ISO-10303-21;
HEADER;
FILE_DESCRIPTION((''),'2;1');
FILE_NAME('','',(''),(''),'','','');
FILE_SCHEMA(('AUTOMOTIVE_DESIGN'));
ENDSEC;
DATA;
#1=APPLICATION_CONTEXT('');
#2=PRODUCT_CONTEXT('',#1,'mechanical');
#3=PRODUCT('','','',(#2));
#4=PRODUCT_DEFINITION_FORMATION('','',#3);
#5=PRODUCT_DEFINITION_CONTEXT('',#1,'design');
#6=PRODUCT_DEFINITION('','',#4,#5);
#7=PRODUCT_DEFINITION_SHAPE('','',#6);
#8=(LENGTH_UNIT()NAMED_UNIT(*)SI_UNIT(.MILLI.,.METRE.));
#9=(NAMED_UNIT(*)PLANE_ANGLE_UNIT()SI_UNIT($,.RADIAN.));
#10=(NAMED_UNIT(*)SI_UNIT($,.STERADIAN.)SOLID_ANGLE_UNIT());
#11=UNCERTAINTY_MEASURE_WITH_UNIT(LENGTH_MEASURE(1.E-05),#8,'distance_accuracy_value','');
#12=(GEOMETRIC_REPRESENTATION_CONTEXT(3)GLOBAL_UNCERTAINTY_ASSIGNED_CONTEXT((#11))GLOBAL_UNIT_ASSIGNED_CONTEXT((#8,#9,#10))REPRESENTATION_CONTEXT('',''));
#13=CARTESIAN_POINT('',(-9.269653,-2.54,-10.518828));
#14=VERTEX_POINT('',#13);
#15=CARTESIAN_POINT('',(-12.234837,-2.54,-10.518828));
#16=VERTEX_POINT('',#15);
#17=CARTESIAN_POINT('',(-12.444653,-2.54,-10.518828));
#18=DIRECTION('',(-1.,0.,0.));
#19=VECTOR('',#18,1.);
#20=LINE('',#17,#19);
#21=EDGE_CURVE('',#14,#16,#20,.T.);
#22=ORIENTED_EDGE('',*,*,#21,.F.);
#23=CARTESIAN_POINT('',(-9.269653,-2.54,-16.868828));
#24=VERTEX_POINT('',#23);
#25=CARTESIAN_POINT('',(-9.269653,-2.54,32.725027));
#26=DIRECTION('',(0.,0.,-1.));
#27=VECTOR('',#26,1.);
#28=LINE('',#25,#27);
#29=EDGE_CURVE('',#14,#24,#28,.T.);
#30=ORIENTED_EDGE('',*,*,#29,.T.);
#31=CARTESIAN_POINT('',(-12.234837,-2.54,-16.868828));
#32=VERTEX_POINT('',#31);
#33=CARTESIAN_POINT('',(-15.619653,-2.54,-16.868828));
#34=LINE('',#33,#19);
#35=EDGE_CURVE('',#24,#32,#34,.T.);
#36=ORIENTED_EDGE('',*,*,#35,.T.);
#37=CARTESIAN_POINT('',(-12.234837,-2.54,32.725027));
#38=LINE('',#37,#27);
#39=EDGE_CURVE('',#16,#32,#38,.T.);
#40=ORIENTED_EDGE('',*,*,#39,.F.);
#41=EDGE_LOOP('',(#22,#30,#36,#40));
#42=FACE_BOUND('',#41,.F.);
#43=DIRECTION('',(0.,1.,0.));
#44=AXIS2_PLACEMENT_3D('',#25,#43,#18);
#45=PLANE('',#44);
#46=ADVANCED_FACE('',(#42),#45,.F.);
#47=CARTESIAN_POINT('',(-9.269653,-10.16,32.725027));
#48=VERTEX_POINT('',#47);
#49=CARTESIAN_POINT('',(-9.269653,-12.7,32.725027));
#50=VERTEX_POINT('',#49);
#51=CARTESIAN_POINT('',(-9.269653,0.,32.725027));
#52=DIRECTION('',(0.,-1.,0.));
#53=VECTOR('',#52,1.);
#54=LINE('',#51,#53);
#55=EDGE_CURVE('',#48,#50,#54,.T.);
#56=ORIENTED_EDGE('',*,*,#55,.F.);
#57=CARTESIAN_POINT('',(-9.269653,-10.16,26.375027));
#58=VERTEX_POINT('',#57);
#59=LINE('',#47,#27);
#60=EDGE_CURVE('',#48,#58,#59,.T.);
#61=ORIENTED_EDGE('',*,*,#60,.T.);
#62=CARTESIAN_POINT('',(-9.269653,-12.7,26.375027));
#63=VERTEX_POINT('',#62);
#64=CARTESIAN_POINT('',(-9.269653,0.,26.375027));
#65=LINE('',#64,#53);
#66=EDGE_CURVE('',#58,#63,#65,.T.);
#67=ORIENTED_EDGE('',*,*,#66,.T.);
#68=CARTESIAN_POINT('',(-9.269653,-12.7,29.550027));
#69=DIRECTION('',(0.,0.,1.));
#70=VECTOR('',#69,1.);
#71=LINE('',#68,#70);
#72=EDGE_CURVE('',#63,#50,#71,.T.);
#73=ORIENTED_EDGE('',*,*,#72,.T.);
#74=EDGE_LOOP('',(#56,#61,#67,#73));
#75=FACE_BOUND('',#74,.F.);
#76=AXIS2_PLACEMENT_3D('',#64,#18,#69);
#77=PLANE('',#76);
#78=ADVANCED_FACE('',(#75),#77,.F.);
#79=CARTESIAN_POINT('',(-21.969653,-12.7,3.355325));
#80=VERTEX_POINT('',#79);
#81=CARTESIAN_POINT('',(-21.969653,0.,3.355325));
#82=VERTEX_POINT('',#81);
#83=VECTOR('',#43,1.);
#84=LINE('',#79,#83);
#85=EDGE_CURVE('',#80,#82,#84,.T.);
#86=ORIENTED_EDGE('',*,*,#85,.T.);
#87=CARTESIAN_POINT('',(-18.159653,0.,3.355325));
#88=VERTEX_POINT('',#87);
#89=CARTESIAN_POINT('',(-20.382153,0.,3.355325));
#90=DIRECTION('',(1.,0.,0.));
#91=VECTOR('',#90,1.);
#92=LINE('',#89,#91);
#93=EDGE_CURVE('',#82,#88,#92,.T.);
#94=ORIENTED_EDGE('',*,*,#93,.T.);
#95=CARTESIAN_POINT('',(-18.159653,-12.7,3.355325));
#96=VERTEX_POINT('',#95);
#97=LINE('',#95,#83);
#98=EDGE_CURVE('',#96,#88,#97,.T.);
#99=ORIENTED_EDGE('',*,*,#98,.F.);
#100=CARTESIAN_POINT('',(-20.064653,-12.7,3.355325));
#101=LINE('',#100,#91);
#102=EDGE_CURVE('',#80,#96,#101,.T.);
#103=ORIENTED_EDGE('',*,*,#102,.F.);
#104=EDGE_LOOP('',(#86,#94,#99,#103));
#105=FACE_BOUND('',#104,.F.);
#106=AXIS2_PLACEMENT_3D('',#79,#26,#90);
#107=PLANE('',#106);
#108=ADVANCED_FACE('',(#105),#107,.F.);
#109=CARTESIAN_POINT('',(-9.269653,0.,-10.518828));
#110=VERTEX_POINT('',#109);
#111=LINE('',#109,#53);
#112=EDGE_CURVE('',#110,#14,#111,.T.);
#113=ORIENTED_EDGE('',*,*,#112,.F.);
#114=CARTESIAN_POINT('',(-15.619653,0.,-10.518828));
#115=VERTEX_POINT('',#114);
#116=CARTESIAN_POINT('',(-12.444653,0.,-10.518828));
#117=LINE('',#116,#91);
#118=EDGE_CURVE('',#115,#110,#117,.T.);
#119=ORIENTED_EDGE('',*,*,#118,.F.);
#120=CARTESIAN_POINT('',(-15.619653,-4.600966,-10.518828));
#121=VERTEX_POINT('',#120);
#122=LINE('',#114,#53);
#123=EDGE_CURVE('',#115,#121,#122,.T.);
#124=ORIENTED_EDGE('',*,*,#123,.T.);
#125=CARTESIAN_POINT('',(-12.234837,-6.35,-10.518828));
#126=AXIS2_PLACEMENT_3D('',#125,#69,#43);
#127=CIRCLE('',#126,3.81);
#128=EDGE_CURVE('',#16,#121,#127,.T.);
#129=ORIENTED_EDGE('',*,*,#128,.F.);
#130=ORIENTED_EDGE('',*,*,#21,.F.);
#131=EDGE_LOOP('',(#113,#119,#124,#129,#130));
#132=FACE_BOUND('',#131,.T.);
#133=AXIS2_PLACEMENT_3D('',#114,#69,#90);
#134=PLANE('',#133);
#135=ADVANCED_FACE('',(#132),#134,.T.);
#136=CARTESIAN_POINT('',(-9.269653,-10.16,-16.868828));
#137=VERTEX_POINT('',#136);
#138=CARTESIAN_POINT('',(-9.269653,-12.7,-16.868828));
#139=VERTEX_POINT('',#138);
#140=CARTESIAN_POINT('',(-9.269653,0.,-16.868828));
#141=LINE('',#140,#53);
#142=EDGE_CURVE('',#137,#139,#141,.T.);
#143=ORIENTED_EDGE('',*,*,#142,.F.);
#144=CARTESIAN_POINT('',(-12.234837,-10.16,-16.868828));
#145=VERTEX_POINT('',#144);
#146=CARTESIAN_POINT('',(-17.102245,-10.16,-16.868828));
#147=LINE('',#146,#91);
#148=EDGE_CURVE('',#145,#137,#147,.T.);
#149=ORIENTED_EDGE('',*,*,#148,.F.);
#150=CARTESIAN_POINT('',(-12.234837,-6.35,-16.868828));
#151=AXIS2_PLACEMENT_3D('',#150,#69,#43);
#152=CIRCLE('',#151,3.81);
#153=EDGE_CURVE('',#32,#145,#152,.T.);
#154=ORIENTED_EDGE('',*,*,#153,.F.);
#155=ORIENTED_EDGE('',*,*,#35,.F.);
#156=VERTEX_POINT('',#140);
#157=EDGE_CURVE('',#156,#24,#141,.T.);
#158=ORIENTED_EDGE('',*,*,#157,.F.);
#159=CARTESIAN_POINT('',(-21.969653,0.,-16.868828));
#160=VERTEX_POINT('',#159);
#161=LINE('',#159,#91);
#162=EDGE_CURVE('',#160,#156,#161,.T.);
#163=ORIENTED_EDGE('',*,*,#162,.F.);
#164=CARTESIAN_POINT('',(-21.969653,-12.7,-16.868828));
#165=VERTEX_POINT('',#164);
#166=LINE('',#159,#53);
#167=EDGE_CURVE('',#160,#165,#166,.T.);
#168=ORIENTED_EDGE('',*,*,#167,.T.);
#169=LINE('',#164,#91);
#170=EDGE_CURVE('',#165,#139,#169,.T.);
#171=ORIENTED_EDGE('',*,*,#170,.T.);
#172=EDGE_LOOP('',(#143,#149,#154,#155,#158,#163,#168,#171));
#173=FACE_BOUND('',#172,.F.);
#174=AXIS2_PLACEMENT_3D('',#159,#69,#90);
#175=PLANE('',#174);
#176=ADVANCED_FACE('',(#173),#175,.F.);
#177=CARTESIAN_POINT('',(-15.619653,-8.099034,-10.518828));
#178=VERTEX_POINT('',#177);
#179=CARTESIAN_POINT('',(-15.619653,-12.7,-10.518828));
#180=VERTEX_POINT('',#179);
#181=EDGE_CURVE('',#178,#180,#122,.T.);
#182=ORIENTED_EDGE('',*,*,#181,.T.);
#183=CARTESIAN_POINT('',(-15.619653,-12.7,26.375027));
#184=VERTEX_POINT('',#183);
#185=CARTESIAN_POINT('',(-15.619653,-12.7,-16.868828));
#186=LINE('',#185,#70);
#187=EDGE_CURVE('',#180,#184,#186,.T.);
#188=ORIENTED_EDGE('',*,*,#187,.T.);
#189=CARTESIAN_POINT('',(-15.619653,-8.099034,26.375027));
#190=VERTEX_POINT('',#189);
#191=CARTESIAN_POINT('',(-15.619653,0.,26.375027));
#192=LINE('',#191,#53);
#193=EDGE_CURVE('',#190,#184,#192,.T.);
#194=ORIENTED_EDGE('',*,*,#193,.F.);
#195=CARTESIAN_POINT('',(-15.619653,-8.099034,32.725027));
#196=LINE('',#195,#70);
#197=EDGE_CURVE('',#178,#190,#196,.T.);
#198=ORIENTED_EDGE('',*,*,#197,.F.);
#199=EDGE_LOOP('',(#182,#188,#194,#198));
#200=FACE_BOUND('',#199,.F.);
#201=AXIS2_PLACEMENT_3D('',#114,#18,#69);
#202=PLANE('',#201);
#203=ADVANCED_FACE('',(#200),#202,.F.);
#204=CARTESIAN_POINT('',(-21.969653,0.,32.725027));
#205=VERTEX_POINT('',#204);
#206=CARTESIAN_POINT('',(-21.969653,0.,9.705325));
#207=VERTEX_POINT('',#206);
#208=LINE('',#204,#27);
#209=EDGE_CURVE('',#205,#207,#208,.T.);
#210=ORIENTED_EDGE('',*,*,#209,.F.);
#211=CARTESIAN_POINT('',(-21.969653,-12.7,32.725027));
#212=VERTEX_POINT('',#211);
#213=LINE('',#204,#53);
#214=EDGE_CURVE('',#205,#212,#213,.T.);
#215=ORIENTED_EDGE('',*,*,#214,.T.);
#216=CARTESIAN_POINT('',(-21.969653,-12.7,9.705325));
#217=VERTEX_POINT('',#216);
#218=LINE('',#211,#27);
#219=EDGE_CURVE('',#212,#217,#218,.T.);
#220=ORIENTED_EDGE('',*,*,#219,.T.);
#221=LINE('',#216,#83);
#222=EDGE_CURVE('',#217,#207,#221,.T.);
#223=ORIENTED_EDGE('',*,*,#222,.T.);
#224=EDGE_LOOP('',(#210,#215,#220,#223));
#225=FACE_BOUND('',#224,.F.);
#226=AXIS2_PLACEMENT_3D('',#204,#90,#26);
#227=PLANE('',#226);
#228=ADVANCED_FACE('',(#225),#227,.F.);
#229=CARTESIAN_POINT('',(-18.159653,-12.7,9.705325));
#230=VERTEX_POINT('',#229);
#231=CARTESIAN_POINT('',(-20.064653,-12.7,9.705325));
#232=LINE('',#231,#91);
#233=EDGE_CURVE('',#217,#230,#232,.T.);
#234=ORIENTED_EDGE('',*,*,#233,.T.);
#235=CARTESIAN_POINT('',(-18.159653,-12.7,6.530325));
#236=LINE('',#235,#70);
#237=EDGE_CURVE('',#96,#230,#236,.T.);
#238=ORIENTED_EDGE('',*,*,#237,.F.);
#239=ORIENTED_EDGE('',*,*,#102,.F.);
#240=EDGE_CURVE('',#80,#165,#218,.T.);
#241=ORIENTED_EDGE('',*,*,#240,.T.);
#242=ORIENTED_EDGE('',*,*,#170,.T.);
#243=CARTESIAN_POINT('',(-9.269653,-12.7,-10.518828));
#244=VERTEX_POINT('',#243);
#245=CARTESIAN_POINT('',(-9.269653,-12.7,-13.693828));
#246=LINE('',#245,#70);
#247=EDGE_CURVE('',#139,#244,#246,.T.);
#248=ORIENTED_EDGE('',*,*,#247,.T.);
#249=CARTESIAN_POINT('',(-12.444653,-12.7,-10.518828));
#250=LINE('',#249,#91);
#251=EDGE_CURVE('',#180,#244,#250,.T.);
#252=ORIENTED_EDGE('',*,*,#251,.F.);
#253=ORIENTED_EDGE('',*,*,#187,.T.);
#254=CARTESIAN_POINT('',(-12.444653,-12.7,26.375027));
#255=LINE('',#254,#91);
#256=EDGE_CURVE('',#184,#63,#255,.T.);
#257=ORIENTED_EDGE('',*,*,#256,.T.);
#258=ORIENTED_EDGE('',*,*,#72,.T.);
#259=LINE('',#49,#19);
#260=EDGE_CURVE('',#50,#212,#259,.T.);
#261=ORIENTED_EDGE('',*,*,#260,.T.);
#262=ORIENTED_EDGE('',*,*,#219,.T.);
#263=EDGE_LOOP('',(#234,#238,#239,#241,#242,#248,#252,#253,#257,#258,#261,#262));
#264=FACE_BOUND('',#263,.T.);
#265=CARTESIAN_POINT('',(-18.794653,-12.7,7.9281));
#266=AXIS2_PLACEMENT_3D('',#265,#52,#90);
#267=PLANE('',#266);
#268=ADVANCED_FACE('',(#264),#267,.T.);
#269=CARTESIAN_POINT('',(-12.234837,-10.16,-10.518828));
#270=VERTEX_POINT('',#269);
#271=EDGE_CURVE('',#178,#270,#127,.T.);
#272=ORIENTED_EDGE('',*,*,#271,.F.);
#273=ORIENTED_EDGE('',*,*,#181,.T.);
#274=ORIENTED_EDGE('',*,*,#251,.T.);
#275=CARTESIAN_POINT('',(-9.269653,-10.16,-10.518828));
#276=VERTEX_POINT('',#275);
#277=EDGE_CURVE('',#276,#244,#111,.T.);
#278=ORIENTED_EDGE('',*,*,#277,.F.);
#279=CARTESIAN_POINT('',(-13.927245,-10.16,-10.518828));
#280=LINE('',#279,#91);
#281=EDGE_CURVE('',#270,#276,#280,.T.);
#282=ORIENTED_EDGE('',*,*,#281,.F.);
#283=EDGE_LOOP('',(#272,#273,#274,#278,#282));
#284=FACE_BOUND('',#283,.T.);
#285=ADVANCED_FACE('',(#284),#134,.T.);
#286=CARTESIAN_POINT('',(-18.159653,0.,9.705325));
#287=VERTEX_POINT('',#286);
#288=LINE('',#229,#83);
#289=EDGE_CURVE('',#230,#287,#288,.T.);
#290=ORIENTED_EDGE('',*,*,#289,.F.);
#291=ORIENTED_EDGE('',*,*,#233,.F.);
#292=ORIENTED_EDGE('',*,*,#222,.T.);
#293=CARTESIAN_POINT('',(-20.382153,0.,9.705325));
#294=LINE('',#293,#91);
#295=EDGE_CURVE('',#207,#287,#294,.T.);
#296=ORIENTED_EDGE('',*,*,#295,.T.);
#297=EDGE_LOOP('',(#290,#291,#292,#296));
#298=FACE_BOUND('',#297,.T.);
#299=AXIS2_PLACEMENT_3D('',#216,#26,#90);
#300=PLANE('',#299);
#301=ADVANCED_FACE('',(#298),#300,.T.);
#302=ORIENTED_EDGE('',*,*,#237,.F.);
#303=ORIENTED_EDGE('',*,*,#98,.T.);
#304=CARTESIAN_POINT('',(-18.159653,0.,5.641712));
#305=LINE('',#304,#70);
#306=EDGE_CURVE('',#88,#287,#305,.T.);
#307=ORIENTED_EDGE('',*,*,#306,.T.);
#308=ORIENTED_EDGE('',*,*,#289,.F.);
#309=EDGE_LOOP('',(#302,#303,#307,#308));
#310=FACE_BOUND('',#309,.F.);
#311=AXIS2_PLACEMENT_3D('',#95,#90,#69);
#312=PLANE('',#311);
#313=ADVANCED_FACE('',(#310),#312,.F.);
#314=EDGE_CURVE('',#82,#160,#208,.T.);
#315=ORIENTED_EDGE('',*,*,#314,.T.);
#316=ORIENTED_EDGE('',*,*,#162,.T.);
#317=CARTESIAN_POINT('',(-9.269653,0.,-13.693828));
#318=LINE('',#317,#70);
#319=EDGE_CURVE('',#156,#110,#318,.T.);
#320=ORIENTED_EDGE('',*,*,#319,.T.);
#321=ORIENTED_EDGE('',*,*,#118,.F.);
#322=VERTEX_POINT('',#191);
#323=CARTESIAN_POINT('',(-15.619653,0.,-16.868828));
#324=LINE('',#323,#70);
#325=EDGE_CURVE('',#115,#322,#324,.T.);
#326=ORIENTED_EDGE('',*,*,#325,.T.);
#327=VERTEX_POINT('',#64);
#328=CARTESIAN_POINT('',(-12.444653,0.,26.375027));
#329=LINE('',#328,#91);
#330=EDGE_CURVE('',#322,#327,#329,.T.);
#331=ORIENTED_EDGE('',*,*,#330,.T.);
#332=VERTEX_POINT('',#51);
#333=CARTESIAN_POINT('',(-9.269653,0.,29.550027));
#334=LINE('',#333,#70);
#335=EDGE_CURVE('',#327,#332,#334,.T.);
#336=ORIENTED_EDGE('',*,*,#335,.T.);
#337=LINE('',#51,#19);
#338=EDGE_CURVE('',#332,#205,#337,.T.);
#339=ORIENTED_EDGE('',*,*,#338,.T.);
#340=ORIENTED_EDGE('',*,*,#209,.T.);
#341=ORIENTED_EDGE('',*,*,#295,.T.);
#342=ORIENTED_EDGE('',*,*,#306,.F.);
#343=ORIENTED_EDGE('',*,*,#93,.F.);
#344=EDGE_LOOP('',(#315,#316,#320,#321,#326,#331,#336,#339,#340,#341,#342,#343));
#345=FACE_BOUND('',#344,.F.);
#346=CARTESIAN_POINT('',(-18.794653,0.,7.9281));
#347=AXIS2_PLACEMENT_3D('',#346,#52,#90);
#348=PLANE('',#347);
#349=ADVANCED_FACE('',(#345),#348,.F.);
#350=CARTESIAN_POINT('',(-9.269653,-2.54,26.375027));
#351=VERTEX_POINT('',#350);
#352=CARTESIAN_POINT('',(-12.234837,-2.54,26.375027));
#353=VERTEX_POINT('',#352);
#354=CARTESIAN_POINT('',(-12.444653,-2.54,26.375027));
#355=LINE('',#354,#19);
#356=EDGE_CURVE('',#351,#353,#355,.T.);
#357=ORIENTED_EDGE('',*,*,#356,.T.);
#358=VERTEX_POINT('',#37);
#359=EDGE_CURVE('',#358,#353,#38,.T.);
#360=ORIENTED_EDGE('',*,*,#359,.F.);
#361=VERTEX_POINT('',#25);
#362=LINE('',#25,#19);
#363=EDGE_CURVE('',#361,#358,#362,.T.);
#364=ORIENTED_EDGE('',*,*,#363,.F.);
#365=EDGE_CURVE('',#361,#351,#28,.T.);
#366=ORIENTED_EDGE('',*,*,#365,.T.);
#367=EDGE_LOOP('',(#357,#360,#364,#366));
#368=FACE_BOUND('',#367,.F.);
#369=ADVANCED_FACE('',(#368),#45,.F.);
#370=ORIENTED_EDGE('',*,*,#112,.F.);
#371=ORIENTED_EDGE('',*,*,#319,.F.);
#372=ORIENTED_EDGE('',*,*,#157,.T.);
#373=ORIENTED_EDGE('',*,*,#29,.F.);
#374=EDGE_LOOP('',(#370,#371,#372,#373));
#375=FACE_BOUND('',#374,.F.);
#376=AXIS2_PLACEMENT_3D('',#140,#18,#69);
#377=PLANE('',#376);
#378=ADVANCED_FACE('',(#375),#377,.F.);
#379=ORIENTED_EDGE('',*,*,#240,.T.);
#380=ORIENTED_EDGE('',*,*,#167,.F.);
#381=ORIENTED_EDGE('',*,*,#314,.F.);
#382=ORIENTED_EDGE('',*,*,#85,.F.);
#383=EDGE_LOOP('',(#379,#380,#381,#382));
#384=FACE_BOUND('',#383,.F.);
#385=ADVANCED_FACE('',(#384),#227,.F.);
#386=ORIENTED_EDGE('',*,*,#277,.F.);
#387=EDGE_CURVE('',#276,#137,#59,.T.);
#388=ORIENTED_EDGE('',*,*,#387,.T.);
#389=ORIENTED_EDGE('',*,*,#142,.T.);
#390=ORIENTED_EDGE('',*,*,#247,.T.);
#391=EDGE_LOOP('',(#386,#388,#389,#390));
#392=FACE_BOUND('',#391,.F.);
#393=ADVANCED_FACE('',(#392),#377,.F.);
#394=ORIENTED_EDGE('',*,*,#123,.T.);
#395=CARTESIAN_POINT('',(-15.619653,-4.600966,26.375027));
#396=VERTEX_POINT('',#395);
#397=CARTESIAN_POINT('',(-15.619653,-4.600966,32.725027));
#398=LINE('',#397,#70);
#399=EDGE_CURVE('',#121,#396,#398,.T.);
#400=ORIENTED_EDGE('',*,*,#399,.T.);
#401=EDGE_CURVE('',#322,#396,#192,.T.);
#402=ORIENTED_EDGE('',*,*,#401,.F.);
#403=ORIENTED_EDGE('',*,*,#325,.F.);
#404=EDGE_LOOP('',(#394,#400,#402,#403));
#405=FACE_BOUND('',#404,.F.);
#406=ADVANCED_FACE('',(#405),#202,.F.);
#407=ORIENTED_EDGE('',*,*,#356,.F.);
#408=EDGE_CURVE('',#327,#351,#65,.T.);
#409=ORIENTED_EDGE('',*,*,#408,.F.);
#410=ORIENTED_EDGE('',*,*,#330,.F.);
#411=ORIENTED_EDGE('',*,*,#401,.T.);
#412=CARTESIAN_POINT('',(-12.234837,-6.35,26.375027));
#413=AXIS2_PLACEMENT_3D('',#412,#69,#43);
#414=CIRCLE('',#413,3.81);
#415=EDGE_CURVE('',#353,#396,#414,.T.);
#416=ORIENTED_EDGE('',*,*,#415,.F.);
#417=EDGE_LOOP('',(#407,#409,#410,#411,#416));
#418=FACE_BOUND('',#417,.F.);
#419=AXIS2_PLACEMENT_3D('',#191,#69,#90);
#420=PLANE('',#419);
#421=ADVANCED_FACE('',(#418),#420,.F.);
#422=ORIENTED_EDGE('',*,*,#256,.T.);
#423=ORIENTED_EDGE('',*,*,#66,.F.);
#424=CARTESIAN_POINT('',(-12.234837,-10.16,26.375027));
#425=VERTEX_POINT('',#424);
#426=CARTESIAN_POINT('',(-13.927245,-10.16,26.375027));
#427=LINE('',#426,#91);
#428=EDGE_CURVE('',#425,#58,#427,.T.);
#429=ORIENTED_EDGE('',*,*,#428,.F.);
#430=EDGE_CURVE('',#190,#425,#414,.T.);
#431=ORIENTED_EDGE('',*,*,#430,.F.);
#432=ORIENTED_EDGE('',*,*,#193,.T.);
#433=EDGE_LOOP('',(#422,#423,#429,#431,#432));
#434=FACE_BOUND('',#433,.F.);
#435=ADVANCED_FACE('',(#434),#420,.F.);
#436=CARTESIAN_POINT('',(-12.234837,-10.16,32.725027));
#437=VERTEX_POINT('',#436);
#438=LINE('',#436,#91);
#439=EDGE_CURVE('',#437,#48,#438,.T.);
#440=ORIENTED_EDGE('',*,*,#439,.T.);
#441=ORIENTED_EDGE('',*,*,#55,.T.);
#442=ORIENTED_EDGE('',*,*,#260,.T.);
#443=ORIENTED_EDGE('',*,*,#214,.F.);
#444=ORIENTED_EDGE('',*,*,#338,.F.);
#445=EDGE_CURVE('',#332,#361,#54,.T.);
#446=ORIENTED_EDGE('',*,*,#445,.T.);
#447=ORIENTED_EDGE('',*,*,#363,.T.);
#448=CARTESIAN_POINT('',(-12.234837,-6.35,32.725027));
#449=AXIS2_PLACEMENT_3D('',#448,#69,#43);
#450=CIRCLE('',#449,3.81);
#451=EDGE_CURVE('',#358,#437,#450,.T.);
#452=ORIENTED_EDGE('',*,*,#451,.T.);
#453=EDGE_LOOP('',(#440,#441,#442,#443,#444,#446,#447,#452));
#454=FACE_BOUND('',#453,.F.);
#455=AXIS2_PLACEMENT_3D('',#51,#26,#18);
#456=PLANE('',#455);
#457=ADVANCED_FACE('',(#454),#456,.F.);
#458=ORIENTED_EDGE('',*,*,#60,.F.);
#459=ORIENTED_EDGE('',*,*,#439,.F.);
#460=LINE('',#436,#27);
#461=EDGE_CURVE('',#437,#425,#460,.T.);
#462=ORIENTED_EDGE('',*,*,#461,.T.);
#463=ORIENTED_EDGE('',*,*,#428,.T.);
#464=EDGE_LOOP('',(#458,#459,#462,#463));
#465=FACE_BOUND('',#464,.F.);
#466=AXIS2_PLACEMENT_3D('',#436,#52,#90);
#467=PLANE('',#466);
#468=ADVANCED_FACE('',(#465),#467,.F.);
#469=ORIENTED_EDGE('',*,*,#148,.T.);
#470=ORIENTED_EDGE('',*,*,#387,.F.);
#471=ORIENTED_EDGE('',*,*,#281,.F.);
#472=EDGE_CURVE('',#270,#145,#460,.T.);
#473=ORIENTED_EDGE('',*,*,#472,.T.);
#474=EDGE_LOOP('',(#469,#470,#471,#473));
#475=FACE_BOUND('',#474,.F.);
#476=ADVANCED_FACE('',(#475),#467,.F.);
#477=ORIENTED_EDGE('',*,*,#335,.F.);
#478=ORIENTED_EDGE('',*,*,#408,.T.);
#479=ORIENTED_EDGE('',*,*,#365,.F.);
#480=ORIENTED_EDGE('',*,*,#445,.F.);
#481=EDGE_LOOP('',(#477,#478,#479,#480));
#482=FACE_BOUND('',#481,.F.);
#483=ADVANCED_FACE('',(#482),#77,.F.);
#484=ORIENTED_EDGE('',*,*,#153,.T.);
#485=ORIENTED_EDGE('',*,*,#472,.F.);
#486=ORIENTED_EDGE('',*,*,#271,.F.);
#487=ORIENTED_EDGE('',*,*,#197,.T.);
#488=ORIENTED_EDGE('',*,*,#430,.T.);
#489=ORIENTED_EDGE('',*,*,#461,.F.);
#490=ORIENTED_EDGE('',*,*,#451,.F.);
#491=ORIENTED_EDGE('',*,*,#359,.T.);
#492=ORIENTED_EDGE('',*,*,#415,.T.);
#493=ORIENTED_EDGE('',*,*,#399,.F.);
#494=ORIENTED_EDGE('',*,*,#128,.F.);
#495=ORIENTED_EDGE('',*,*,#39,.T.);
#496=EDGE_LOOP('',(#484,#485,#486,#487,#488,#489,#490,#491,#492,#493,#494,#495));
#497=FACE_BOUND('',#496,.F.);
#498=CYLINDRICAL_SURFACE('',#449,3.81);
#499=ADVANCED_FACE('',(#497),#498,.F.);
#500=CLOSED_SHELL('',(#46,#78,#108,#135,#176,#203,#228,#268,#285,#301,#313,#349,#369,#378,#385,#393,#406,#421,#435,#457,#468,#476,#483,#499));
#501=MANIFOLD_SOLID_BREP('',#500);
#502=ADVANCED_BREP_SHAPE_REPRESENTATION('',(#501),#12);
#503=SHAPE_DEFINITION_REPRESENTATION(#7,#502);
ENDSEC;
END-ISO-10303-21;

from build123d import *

# Parameters (mm, degrees)
F0_W     = 6.35
F0_H     = 6.35
F1_DEPTH = 12.7
F3_DEPTH = 49.594854
F4_W     = 3.81
F4_H     = 6.35
F5_DEPTH = 25.4


with BuildPart() as f1:
    # F0 (on Front) → F1 (new body)
    with BuildSketch(Plane.XZ):
        Polygon((-21.969653, 32.725027), (-21.969653, -16.868828), (-15.619653, -16.868828), (-15.619653, -10.518828), (-15.619653, 26.375027), (-15.619653, 32.725027), align=None)
        with Locations((-12.444653, -13.693828)):
            Rectangle(F0_W, F0_H)
        with Locations((-12.444653, 29.550027)):
            Rectangle(F0_W, F0_H)
    extrude(amount=F1_DEPTH)

    # F2 (on face) → F3 (cut, through all)
    with BuildSketch(Plane.XY.offset(32.725027)):
        with BuildLine():
            Line((-12.234837, -10.16), (-9.269653, -10.16))
            Line((-9.269653, -10.16), (-9.269653, -2.54))
            Line((-9.269653, -2.54), (-12.234837, -2.54))
            ThreePointArc((-12.234837, -2.54), (-16.044837, -6.35), (-12.234837, -10.16))
        make_face()
    extrude(amount=-F3_DEPTH, mode=Mode.SUBTRACT)

    # F4 (on face) → F5 (cut)
    with BuildSketch(Plane.XZ.offset(12.7)):
        with Locations((-20.064653, 6.530325)):
            Rectangle(F4_W, F4_H)
    extrude(amount=-F5_DEPTH, mode=Mode.SUBTRACT)


solid = f1.part
